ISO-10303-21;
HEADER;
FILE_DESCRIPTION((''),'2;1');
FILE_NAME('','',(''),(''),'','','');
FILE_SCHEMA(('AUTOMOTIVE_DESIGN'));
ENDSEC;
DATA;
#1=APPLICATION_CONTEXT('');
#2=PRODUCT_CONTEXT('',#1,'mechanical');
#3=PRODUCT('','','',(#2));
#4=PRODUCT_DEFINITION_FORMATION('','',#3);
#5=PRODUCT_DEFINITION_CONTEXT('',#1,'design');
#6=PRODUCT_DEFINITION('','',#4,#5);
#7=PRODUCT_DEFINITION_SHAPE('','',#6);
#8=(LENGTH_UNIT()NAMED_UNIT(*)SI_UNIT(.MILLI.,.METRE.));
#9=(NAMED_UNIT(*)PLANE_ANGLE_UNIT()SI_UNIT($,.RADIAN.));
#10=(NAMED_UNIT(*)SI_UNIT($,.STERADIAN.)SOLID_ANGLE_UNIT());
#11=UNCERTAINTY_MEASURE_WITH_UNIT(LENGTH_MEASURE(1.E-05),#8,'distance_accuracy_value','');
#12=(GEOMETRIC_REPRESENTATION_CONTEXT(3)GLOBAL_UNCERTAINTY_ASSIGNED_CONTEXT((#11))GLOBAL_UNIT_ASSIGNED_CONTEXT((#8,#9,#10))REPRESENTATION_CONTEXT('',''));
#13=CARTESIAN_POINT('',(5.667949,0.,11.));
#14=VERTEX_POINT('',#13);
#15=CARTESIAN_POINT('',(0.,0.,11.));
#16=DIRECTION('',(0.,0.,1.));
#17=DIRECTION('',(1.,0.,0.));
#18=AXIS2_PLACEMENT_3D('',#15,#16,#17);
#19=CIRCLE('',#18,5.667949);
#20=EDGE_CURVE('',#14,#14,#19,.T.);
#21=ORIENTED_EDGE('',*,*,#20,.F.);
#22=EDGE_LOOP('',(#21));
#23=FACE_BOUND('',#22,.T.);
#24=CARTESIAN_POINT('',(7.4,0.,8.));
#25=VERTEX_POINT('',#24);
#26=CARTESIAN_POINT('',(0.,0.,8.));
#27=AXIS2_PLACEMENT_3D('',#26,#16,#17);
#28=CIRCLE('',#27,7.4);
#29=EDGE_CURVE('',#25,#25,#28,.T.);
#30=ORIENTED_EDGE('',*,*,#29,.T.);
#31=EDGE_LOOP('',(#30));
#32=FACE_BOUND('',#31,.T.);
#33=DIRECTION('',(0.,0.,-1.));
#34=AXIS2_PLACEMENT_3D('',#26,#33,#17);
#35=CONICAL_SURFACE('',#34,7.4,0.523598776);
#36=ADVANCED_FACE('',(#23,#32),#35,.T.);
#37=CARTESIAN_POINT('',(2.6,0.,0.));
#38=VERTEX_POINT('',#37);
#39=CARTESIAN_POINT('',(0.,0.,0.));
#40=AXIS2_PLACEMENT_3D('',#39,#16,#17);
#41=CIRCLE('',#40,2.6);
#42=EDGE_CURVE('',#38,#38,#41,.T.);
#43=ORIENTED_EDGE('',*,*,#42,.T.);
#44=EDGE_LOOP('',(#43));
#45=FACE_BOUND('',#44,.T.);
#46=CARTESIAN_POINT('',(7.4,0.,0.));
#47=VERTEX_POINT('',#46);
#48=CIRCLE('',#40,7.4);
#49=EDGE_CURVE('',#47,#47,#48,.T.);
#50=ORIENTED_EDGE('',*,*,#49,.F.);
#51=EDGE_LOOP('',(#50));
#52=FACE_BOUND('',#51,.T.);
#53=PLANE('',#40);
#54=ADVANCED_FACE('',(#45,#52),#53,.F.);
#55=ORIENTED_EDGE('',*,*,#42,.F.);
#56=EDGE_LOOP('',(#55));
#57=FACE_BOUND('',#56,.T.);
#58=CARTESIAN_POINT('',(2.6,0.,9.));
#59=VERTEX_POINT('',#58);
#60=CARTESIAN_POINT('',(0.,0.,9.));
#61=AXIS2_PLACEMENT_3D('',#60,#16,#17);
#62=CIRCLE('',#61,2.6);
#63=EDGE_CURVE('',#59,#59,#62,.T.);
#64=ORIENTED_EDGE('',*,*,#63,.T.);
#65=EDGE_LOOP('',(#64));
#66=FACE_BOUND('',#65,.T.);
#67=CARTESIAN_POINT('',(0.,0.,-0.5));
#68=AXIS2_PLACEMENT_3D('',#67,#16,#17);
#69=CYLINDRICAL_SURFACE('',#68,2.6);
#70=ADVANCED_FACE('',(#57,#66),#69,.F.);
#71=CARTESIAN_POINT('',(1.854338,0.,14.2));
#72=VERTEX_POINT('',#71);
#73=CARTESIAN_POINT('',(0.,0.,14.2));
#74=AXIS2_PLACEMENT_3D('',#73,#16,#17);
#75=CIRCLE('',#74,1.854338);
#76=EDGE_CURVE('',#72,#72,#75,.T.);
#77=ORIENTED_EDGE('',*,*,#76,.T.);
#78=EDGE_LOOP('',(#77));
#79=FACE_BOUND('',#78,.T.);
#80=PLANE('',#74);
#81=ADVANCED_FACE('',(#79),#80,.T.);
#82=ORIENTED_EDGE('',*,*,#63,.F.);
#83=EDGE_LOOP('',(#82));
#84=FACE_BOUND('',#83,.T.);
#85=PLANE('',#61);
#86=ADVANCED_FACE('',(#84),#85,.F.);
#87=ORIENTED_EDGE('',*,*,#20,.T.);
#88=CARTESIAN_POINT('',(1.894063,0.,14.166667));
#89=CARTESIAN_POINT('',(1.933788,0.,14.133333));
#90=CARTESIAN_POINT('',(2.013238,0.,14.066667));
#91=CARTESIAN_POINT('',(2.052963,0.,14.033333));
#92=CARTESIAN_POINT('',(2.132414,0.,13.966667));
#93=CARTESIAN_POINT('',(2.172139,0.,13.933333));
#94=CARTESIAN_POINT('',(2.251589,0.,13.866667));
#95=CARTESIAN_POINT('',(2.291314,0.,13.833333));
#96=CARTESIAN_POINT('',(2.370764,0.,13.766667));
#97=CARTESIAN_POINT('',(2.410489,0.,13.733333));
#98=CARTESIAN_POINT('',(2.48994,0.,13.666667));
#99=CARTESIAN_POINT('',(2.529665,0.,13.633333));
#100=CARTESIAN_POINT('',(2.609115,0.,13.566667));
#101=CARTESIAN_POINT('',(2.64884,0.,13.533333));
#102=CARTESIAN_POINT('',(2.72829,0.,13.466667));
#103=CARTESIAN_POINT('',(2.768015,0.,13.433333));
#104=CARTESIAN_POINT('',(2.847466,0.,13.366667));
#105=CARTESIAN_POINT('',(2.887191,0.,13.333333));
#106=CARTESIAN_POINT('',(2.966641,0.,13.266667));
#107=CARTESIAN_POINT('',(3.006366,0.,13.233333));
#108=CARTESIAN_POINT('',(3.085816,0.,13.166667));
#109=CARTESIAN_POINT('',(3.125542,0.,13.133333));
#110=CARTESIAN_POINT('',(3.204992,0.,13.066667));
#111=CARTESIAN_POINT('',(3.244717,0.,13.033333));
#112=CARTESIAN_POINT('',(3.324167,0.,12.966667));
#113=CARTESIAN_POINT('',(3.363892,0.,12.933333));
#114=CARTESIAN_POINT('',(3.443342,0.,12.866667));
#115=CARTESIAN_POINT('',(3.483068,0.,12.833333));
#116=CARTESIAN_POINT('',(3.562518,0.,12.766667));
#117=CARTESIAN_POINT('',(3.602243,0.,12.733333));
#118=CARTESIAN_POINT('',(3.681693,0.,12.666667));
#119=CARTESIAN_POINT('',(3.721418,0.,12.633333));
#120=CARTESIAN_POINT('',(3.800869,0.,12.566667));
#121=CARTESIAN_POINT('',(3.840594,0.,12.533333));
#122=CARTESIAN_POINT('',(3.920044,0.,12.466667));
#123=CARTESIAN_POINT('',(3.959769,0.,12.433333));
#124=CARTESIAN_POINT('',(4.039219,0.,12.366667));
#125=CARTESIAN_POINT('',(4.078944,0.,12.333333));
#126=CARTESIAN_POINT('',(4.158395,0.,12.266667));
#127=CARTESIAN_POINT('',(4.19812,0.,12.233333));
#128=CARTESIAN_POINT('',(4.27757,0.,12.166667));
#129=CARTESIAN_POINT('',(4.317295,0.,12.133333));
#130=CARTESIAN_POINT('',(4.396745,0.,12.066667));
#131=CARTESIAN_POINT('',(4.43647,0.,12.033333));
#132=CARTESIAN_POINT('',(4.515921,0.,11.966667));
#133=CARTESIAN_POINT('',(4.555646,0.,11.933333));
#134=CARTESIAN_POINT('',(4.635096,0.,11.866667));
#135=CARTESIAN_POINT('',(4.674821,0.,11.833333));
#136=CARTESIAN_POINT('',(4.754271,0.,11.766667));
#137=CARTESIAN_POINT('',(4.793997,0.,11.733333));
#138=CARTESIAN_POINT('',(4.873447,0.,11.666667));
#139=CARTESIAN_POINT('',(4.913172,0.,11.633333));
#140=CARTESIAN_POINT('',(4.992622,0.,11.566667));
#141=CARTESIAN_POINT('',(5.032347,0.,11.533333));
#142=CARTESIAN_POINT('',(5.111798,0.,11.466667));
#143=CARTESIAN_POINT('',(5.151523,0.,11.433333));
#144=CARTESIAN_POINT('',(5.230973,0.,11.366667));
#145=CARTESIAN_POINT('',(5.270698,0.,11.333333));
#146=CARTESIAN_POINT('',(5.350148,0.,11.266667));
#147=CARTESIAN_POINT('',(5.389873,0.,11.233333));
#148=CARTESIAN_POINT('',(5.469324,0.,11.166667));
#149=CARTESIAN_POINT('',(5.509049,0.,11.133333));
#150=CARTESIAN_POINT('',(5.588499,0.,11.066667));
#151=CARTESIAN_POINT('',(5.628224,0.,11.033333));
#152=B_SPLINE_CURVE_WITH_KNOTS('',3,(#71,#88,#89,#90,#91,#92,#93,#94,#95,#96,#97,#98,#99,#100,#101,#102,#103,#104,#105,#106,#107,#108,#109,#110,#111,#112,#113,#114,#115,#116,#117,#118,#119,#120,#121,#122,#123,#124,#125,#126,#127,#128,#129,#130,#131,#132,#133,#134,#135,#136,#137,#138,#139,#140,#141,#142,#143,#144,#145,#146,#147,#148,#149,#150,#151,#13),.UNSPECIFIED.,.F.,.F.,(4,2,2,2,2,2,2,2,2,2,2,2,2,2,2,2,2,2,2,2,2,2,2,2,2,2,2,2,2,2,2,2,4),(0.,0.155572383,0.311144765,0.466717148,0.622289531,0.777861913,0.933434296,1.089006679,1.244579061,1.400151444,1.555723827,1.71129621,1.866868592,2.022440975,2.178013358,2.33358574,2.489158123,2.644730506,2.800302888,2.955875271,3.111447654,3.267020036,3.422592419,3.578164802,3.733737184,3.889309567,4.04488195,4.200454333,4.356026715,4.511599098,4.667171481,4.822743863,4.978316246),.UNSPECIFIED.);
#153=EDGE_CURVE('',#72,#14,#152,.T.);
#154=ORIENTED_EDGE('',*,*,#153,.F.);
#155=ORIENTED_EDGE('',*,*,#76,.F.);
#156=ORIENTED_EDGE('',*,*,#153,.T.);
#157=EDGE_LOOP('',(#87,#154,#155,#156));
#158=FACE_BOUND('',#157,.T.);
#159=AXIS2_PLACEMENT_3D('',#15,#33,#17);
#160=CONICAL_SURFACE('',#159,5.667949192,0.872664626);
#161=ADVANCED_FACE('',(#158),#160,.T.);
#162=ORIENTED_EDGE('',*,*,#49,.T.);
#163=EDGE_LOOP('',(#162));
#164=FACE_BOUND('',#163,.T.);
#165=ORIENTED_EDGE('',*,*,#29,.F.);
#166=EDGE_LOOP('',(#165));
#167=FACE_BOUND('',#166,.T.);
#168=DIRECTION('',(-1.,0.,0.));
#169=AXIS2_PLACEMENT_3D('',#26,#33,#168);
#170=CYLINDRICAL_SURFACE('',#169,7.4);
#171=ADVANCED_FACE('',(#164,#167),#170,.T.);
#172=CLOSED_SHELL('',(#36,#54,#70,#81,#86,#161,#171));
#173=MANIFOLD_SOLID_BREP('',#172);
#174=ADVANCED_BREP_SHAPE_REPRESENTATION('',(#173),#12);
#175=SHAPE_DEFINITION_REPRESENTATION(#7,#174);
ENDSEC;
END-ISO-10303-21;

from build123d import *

# Parameters (mm, degrees)
SKETCH1_R           = 7.4
LENS_BODY_DEPTH     = 8
SKETCH2_R           = 7.4
LENS_SHOULDER_DEPTH = 3
LENS_SHOULDER_TAPER = 30
SKETCH3_R           = 5.667949192
LENS_CROWN_DEPTH    = 3.2
LENS_CROWN_TAPER    = 50
SKETCH4_R           = 2.6
LED_CAVITY_DEPTH    = 4.75


with BuildPart() as part:
    # Sketch1 → Lens_body (new body)
    with BuildSketch(Plane.XY):
        Circle(SKETCH1_R)
    extrude(amount=LENS_BODY_DEPTH)

    # Sketch2 → Lens_shoulder (add)
    with BuildSketch(Plane.XY.offset(8)):
        Circle(SKETCH2_R)
    extrude(amount=LENS_SHOULDER_DEPTH, taper=LENS_SHOULDER_TAPER)

    # Sketch3 → Lens_crown (add)
    with BuildSketch(Plane.XY.offset(11)):
        Circle(SKETCH3_R)
    extrude(amount=LENS_CROWN_DEPTH, taper=LENS_CROWN_TAPER)

    # Sketch4 → LED_cavity (cut, symmetric)
    with BuildSketch(Plane.XY.offset(4.25)):
        Circle(SKETCH4_R)
    extrude(amount=LED_CAVITY_DEPTH, both=True, mode=Mode.SUBTRACT)


solid = part.part
